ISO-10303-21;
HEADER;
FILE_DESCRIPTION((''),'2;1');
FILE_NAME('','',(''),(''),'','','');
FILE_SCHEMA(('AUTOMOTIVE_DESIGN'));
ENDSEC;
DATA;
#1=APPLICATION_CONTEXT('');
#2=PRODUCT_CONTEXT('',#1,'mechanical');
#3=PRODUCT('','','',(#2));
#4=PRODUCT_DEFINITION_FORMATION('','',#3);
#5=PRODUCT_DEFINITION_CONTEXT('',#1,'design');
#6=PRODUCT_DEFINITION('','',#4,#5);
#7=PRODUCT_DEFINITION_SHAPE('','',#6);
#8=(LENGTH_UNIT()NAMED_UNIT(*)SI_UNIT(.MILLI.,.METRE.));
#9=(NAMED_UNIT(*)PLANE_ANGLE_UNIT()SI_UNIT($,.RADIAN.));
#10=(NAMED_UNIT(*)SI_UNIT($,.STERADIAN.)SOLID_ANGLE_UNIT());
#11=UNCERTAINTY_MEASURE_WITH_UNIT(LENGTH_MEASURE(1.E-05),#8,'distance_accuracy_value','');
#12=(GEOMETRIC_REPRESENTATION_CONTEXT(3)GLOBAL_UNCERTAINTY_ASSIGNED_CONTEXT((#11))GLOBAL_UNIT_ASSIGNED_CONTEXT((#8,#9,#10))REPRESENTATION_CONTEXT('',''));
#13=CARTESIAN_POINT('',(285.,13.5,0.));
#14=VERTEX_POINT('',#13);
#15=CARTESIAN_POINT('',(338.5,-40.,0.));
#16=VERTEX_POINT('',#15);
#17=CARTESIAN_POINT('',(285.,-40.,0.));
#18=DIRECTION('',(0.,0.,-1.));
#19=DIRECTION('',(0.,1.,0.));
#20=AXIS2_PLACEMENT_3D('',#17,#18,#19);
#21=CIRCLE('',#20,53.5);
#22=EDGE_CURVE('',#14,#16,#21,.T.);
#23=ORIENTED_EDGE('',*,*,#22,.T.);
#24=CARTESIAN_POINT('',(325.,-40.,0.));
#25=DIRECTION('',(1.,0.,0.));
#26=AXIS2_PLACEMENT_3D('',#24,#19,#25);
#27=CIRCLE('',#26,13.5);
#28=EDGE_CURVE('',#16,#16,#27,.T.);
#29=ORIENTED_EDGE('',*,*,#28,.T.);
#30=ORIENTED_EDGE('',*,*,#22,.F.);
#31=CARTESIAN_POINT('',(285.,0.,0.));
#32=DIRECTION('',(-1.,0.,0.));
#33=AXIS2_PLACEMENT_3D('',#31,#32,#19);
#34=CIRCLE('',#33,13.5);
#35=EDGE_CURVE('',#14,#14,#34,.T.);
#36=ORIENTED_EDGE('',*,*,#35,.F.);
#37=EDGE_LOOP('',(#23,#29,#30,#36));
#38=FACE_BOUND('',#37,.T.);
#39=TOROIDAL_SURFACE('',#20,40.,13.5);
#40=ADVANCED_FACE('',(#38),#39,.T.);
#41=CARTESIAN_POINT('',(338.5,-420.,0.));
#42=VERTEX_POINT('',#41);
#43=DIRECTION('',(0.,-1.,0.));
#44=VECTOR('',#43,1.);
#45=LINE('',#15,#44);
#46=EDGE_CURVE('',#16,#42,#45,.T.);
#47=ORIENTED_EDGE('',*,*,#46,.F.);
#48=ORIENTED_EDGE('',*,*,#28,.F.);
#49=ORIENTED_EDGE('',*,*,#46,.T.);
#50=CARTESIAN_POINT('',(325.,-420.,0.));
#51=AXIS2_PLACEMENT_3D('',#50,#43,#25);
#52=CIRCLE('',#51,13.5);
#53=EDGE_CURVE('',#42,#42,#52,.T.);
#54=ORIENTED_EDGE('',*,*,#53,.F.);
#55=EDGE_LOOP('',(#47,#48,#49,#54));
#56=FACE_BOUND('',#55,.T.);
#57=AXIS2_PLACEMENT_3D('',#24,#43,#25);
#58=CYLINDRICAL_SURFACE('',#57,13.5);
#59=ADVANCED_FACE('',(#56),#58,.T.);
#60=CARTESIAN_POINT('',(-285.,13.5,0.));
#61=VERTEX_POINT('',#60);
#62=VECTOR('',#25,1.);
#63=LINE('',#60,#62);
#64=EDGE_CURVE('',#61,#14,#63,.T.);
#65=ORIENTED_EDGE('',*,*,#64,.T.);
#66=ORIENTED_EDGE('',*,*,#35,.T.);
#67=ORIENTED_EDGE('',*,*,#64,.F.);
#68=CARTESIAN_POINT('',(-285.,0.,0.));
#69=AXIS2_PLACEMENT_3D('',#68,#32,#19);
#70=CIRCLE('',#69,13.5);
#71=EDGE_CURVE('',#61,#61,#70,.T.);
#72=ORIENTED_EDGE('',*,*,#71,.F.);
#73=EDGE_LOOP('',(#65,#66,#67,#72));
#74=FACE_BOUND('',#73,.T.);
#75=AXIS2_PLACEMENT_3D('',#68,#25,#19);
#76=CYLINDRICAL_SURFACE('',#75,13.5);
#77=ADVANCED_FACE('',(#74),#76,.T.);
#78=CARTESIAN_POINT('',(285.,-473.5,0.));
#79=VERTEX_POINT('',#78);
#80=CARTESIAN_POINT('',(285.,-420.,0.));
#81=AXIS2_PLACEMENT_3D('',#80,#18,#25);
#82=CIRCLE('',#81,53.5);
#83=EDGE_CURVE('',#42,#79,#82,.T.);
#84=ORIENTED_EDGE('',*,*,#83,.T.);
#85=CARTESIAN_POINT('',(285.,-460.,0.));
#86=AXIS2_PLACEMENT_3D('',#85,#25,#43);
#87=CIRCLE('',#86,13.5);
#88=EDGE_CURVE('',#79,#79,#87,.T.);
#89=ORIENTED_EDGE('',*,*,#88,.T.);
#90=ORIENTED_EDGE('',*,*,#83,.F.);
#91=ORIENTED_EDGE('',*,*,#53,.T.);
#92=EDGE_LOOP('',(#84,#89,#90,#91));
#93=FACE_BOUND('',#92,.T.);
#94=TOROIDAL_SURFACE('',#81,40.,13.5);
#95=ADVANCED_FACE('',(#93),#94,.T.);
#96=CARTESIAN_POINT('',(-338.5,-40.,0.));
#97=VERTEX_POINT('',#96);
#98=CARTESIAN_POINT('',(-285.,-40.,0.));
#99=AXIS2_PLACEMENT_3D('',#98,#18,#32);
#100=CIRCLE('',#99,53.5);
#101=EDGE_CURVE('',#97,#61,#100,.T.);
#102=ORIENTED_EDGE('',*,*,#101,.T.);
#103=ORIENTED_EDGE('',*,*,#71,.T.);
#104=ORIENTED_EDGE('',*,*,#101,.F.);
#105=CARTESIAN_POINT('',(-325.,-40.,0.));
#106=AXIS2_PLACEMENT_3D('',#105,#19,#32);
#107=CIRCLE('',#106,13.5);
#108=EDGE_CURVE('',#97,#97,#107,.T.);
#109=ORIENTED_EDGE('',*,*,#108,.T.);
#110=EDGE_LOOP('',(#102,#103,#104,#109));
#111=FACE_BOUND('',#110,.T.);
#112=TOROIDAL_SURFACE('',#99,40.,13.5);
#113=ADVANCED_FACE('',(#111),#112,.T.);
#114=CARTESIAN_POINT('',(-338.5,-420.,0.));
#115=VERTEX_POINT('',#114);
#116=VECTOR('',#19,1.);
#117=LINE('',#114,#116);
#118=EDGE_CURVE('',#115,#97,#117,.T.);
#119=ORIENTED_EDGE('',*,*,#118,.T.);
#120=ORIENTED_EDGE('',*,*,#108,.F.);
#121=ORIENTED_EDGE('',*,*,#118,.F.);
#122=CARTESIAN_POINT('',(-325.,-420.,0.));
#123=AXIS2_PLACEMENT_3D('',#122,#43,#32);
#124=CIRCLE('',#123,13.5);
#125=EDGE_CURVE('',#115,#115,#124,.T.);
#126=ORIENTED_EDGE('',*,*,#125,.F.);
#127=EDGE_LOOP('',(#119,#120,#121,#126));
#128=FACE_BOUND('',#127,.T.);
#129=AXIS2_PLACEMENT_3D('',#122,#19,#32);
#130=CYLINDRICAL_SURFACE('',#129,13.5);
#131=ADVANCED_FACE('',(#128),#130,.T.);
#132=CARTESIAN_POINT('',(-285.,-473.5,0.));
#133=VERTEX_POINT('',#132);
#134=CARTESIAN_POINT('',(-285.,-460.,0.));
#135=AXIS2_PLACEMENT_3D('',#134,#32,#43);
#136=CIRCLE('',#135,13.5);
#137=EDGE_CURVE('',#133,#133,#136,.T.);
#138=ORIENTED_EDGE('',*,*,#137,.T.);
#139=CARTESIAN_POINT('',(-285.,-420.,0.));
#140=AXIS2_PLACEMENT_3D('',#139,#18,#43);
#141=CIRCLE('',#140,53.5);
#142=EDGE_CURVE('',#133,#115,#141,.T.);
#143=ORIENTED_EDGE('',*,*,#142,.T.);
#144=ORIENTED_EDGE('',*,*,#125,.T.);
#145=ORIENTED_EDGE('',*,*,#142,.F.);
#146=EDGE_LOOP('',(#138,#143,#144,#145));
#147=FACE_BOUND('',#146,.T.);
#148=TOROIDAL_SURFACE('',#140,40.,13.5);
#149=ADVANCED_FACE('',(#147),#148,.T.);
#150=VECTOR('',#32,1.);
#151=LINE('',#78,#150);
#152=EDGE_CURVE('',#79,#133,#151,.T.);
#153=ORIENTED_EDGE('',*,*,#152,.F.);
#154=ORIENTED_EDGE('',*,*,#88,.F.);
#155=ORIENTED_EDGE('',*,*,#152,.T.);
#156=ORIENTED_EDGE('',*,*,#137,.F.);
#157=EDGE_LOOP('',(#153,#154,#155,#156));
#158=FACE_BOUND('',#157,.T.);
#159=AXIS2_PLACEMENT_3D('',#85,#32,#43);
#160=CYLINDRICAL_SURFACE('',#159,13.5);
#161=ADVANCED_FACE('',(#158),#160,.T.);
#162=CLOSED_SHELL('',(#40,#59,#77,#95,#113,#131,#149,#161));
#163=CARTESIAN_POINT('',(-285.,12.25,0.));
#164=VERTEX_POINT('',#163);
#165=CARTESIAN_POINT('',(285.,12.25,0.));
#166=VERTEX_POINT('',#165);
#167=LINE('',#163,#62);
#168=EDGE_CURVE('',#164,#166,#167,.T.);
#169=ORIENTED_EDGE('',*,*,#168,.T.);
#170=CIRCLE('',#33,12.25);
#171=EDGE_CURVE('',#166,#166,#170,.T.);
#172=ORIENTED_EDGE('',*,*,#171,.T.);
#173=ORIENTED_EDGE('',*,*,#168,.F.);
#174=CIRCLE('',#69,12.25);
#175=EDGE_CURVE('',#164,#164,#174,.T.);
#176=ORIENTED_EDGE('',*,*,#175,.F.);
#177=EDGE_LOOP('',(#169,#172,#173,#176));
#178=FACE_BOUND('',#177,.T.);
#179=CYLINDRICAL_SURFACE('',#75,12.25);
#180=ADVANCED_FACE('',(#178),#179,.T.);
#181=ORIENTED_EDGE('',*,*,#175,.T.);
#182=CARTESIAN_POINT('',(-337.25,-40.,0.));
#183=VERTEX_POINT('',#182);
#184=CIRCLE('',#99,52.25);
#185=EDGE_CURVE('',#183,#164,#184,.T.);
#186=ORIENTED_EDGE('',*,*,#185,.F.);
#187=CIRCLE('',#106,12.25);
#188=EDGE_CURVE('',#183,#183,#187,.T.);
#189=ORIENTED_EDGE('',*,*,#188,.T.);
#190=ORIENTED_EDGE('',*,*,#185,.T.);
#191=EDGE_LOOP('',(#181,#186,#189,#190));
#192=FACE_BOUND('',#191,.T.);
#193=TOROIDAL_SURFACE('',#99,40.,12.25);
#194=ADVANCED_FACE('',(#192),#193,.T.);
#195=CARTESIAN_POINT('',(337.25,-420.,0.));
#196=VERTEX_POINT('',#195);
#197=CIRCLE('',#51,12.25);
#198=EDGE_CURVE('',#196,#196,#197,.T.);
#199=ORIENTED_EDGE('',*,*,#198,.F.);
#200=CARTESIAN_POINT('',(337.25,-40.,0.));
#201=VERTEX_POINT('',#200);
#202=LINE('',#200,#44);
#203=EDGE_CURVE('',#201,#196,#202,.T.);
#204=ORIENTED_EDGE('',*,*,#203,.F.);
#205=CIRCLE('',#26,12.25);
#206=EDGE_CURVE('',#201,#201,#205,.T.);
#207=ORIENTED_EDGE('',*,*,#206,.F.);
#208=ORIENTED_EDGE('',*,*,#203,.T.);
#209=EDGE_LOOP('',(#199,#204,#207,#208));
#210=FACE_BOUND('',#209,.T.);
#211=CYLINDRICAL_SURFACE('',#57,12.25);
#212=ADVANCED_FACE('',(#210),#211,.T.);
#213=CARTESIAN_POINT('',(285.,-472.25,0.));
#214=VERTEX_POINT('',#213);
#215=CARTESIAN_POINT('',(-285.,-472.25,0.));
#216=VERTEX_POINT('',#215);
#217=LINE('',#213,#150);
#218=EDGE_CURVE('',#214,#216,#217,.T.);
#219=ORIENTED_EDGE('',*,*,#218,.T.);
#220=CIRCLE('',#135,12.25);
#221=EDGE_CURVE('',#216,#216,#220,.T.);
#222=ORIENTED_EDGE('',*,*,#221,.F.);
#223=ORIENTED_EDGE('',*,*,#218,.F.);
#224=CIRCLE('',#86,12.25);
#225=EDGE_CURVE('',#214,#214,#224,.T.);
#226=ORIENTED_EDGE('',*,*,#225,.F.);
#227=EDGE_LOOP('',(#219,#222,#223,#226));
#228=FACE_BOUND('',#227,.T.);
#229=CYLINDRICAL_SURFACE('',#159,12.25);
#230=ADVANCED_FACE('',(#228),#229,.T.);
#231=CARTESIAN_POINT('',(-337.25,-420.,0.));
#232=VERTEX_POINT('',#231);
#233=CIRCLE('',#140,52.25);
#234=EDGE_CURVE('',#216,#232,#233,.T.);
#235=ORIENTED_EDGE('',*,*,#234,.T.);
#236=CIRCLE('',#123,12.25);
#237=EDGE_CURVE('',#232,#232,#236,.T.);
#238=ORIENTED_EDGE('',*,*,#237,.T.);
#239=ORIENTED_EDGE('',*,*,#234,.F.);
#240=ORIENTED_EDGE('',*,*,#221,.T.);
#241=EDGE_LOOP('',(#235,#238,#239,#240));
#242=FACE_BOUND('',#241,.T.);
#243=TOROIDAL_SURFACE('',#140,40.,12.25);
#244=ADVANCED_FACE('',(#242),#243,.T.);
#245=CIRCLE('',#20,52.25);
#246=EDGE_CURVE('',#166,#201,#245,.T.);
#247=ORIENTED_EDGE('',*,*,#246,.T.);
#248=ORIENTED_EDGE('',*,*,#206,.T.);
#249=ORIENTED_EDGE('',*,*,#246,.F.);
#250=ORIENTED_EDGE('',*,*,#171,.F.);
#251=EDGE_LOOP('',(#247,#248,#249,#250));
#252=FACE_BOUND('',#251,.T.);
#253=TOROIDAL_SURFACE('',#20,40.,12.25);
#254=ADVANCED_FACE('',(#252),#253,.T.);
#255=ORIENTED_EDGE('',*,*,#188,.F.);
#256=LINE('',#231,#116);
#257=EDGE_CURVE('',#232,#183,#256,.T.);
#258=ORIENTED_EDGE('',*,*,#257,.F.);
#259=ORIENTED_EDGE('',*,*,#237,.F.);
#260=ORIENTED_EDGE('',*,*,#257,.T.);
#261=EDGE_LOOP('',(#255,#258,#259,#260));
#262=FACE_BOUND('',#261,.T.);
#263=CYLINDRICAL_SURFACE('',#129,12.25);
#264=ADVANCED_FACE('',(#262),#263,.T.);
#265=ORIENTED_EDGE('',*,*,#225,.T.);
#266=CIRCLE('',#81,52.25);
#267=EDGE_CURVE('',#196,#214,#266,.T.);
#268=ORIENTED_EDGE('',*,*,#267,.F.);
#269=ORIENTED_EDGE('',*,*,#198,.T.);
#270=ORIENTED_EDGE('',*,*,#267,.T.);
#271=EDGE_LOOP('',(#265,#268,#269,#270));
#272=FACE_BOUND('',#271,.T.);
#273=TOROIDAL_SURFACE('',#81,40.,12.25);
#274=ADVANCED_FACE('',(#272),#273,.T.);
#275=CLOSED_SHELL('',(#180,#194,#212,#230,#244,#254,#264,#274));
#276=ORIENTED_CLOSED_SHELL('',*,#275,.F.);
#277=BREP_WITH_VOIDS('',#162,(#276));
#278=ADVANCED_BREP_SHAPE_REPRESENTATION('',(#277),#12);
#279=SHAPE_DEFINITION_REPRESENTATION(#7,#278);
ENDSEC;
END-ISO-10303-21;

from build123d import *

# Parameters (mm, degrees)
F0_R   = 13.5
F0_R_2 = 12.25


with BuildPart() as f2:
    # F2: sweep along a path in F1
    with BuildLine(Plane.XY) as f2_path:
        Line((0, 0), (285, 0))
        ThreePointArc((285, 0), (313.2842712475, -11.7157287525), (325, -40))
        Line((325, -40), (325, -420))
        ThreePointArc((325, -420), (313.2842712475, -448.2842712475), (285, -460))
        Line((285, -460), (-285, -460))
        ThreePointArc((-285, -460), (-313.2842712475, -448.2842712475), (-325, -420))
        Line((-325, -420), (-325, -40))
        ThreePointArc((-325, -40), (-313.2842712475, -11.7157287525), (-285, 0))
        Line((-285, 0), (0, 0))
    # F0 (on Right) → F2 (sweep)
    with BuildSketch(Plane.YZ):
        Circle(F0_R)
        Circle(F0_R_2, mode=Mode.SUBTRACT)
    sweep(path=f2_path.line)


solid = f2.part
